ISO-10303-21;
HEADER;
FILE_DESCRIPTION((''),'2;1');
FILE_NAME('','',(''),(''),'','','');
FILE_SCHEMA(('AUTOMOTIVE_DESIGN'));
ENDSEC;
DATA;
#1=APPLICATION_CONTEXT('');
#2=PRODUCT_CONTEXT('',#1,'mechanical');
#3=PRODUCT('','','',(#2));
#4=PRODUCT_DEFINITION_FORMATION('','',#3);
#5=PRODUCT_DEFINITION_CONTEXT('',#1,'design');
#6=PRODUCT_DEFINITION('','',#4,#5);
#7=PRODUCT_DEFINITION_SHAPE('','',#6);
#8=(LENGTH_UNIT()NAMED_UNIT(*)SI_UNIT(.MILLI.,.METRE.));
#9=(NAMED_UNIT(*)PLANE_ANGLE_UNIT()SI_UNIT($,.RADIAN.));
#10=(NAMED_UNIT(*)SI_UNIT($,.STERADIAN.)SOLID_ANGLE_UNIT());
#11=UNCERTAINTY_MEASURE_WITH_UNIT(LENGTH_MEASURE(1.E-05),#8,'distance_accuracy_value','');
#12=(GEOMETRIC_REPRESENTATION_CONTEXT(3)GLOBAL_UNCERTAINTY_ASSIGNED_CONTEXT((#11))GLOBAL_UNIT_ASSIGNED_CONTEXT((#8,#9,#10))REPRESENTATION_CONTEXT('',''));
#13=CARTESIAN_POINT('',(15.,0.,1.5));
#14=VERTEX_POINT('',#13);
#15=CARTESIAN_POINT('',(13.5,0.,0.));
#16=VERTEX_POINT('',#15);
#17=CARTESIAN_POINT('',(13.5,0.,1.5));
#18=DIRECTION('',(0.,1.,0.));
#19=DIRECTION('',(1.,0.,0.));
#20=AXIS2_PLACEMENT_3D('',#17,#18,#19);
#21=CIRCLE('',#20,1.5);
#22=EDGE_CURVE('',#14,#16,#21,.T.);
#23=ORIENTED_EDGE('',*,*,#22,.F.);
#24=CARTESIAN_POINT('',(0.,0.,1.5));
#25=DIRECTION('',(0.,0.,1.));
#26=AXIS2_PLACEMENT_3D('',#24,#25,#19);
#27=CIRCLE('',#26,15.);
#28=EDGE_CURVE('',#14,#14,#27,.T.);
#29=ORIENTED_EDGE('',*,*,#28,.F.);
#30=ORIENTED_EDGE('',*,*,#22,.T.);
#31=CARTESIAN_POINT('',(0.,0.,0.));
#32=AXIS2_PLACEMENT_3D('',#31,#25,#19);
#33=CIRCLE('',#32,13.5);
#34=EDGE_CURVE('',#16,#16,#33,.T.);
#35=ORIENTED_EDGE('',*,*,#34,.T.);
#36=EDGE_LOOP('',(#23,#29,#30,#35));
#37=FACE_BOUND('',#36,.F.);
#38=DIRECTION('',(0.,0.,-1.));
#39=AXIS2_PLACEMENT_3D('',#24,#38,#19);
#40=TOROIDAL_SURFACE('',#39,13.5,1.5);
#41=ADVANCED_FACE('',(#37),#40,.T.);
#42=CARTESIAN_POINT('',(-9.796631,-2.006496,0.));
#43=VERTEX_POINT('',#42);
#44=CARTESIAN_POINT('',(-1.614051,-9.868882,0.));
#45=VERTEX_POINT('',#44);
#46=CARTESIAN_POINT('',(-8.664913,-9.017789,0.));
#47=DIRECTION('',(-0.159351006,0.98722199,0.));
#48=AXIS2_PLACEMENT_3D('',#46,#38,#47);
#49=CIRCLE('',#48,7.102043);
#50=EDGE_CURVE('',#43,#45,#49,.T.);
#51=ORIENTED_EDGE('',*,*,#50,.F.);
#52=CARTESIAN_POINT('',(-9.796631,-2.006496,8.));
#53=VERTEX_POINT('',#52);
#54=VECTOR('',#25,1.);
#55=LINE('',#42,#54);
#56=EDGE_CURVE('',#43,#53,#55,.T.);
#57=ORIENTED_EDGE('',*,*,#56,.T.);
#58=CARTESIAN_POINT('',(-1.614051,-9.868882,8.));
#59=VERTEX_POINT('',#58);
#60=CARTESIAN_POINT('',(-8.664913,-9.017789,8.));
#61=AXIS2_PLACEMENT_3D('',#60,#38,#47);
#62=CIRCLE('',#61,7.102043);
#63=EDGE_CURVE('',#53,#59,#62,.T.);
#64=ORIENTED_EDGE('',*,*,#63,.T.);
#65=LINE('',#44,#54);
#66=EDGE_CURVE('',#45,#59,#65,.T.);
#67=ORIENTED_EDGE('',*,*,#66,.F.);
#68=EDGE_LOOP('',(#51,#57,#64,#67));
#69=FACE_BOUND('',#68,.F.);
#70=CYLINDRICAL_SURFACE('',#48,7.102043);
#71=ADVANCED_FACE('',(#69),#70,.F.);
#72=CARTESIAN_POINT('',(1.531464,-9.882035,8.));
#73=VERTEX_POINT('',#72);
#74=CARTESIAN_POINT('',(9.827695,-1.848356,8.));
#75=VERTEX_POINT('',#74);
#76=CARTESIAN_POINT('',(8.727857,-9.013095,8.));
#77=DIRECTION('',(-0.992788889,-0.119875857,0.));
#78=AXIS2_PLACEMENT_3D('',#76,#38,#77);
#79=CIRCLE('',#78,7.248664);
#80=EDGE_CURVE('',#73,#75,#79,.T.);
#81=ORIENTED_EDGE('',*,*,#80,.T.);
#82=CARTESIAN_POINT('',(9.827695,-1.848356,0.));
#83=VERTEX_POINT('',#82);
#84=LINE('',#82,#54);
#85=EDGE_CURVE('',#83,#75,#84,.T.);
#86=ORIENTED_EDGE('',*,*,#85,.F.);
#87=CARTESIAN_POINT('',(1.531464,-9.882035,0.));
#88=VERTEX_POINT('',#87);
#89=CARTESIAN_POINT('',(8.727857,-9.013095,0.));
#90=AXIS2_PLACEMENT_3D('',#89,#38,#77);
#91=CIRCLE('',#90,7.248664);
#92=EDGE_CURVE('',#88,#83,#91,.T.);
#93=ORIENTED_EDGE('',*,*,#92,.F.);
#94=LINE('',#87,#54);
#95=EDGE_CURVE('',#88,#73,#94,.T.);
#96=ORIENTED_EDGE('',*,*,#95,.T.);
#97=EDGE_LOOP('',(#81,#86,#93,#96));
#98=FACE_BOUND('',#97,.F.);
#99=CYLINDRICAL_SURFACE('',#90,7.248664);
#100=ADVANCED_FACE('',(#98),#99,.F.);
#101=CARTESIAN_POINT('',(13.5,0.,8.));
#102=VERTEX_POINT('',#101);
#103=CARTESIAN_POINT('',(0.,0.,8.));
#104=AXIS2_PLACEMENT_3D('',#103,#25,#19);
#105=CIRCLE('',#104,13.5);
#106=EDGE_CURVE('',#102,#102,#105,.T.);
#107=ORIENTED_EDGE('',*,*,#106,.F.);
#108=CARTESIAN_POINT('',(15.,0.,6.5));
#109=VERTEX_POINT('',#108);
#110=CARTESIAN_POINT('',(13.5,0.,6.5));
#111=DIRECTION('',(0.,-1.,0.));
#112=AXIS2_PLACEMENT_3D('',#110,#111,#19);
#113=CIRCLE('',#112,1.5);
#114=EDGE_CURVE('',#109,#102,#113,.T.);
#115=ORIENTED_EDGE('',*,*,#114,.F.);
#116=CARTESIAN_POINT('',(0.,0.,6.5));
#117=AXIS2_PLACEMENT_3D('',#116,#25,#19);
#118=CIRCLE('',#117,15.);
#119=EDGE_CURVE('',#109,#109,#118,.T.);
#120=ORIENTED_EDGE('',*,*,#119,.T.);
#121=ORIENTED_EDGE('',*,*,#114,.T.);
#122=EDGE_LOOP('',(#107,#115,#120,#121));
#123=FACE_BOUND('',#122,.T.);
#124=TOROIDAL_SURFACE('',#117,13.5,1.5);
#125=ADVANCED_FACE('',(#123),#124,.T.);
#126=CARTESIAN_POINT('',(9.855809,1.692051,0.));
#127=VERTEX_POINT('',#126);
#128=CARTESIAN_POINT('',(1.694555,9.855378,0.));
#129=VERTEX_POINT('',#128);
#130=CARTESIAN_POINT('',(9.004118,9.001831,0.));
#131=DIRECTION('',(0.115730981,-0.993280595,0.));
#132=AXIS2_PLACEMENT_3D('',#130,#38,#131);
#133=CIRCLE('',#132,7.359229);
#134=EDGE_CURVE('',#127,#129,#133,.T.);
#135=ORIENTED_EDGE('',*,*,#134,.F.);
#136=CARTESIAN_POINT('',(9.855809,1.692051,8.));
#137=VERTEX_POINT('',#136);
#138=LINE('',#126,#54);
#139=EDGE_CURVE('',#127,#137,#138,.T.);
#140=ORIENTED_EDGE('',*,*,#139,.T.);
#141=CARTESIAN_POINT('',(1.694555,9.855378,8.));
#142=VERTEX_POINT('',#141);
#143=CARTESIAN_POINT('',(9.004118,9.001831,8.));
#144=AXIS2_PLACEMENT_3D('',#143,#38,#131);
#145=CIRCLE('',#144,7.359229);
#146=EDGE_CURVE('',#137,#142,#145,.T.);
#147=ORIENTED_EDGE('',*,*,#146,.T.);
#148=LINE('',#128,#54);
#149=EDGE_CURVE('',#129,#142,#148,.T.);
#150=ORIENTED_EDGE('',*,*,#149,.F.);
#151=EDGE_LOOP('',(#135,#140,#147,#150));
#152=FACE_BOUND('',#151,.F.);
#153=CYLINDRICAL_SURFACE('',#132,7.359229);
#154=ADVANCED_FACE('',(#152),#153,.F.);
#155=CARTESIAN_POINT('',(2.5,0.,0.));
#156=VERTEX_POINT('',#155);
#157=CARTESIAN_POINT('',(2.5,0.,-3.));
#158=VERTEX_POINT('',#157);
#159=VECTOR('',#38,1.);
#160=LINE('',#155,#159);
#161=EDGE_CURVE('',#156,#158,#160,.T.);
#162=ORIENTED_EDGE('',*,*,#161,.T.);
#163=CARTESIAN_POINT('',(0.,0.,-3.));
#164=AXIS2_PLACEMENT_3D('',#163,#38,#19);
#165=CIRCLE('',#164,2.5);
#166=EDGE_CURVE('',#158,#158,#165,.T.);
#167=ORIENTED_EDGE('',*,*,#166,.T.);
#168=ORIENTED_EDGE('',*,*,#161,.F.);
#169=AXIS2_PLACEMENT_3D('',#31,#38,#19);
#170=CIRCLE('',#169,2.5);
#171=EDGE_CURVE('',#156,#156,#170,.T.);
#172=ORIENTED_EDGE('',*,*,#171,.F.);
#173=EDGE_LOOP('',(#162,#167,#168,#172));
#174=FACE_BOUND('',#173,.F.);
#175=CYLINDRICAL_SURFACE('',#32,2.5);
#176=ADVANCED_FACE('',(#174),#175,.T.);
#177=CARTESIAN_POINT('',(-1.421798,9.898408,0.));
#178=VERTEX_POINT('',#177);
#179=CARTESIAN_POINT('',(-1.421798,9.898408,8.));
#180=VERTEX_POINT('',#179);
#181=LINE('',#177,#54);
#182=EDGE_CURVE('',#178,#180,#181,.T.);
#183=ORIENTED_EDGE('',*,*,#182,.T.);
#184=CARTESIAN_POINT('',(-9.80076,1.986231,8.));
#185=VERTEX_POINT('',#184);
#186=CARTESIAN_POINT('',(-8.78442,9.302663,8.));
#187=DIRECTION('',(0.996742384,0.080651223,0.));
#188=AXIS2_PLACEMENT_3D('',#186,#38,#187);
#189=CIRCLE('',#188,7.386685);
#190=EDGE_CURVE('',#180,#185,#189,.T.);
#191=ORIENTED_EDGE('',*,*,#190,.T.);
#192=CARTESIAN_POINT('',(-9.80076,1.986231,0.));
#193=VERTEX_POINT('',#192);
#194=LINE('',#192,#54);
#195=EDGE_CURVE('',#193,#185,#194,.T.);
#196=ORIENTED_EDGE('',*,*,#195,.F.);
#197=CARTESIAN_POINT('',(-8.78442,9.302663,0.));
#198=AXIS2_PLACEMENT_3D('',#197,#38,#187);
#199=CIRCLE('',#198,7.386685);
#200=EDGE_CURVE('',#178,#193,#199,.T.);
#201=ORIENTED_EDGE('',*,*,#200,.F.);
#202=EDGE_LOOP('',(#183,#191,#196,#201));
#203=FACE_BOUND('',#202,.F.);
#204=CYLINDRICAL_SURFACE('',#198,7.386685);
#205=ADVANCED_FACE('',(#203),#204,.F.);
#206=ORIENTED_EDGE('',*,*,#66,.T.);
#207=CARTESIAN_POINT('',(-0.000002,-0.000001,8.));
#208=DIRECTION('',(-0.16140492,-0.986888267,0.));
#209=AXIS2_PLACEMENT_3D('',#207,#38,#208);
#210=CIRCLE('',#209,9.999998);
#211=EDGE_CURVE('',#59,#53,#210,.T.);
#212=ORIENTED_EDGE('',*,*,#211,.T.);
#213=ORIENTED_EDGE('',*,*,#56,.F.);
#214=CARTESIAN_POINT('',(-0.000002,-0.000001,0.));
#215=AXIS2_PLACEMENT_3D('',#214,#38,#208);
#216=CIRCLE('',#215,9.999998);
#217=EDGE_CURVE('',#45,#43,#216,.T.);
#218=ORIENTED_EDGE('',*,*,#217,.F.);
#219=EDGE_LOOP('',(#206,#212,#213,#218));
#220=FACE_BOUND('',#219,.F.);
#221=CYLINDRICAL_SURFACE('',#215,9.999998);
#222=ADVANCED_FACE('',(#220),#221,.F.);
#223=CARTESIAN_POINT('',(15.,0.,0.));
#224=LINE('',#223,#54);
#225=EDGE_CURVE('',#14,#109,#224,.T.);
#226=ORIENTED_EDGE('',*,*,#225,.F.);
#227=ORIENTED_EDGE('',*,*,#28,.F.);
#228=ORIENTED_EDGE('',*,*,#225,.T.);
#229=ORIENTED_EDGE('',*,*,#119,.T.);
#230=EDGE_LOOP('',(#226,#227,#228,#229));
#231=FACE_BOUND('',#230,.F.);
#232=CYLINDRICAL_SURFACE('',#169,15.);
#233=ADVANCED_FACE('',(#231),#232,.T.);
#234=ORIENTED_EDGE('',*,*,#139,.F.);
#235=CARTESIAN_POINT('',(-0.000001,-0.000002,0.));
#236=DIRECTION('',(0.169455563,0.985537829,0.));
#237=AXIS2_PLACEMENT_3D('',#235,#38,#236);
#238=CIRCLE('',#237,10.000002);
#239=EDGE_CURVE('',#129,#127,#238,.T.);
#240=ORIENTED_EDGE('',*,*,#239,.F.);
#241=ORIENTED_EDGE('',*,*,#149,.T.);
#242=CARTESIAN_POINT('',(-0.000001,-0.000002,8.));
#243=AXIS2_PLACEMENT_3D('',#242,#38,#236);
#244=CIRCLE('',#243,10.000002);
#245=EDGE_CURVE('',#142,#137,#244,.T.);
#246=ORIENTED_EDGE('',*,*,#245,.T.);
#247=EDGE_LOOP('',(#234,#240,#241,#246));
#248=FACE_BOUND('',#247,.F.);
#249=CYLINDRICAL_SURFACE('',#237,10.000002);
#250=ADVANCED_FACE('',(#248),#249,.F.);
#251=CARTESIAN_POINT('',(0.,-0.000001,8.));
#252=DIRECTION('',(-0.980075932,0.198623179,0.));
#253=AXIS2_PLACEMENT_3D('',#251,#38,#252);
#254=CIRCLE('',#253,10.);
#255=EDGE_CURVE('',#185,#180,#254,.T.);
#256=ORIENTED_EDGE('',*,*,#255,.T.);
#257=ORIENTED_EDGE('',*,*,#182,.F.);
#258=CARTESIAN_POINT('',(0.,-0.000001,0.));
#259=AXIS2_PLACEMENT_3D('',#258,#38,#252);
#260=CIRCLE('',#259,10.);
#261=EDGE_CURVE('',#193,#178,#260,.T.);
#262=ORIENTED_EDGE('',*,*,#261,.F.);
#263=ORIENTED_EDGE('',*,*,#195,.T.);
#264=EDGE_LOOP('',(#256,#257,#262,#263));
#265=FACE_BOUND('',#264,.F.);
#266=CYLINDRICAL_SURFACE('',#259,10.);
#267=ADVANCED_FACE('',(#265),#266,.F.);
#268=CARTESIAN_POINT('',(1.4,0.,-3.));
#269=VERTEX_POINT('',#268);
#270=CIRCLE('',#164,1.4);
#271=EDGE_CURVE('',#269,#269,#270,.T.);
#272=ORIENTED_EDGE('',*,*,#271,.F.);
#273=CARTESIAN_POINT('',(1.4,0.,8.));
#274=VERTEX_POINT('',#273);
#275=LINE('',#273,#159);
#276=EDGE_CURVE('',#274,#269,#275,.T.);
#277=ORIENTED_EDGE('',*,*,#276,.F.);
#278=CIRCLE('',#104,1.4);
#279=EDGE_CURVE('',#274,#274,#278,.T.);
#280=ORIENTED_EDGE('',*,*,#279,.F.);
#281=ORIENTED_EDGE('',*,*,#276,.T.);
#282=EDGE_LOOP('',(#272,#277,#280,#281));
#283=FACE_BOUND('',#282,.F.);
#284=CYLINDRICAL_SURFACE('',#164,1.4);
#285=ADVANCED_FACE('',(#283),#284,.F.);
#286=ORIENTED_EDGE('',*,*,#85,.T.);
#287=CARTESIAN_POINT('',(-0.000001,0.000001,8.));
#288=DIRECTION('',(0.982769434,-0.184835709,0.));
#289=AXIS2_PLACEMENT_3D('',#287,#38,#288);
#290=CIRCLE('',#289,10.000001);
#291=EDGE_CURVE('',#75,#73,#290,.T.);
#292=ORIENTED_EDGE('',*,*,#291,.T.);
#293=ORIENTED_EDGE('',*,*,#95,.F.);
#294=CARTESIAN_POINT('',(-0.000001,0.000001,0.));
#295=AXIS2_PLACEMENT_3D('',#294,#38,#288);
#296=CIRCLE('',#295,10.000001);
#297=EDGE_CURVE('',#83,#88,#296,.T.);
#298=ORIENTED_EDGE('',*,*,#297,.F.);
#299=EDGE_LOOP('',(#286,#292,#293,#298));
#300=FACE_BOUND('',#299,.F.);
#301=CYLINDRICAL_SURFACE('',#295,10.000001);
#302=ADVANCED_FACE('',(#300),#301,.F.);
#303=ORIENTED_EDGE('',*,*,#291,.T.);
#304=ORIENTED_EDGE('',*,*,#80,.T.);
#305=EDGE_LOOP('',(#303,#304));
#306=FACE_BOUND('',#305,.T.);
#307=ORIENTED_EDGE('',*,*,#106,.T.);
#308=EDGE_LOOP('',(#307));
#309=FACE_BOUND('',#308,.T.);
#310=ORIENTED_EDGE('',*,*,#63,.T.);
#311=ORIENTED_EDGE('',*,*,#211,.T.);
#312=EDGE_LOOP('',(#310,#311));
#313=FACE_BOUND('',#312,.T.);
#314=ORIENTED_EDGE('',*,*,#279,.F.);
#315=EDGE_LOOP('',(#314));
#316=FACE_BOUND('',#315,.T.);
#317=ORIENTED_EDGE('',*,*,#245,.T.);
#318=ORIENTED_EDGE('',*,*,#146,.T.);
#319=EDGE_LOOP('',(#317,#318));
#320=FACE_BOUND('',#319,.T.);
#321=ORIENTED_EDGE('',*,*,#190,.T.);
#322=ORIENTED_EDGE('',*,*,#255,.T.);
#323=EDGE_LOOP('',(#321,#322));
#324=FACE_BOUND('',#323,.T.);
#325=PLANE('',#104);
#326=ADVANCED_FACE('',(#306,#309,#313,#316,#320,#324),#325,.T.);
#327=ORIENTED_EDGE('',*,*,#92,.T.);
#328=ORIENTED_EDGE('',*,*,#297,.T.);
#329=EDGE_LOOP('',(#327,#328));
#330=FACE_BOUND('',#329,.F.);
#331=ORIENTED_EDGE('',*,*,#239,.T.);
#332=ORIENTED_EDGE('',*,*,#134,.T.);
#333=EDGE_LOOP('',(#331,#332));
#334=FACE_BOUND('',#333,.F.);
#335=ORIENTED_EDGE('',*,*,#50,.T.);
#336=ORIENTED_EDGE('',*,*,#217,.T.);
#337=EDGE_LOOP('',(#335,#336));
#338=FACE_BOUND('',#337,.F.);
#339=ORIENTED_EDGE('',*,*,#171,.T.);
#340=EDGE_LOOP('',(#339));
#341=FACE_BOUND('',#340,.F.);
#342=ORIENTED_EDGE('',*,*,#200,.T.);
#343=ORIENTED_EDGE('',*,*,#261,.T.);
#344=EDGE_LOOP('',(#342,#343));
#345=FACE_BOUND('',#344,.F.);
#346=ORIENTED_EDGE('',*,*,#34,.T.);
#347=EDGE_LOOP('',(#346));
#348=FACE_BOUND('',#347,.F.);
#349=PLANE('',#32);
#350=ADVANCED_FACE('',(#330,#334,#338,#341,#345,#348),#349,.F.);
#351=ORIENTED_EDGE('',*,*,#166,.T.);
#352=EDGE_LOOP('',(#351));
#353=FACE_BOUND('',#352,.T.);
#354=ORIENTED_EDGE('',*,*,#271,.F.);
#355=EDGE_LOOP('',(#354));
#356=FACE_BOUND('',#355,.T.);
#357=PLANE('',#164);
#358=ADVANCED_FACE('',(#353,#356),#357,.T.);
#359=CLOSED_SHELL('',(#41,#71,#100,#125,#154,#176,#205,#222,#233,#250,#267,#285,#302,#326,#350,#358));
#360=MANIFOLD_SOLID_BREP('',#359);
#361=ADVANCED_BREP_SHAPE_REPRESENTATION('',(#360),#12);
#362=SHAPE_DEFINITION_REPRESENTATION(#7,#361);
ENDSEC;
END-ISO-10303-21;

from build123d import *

# Parameters (mm, degrees)
F0_R     = 15
F0_R_2   = 1.4
F1_DEPTH = 8
F2_R     = 1.5
F3_R     = 1.5
F4_R     = 2.5
F5_DEPTH = 3
F6_R     = 1.4
F7_DEPTH = 25


with BuildPart() as f1:
    # F0 (on Top) → F1 (new body)
    with BuildSketch(Plane.XY):
        Circle(F0_R)
        with BuildLine():
            ThreePointArc((-9.796631, -2.006496), (-3.744207, -3.896689), (-1.614051, -9.868882))
            ThreePointArc((-1.614051, -9.868882), (-6.928578, -7.210743), (-9.796631, -2.006496))
        make_face(mode=Mode.SUBTRACT)
        with BuildLine():
            ThreePointArc((1.531464, -9.882035), (3.685338, -3.80578), (9.827695, -1.848356))
            ThreePointArc((9.827695, -1.848356), (6.956481, -7.183827), (1.531464, -9.882035))
        make_face(mode=Mode.SUBTRACT)
        with BuildLine():
            ThreePointArc((-9.80076, 1.986231), (-6.865646, 7.270688), (-1.421798, 9.898408))
            ThreePointArc((-1.421798, 9.898408), (-3.712984, 3.932034), (-9.80076, 1.986231))
        make_face(mode=Mode.SUBTRACT)
        Circle(F0_R_2, mode=Mode.SUBTRACT)
        with BuildLine():
            ThreePointArc((9.855809, 1.692051), (3.799696, 3.798731), (1.694555, 9.855378))
            ThreePointArc((1.694555, 9.855378), (7.071966, 7.070169), (9.855809, 1.692051))
        make_face(mode=Mode.SUBTRACT)
    extrude(amount=F1_DEPTH)

    # F2
    f2_edges = [f1.edges().sort_by_distance(p)[0] for p in [
        (-15, 0, 8),
    ]]
    fillet(f2_edges, radius=F2_R)

    # F3
    f3_edges = [f1.edges().sort_by_distance(p)[0] for p in [
        (-15, 0, 0),
    ]]
    fillet(f3_edges, radius=F3_R)

    # F4 (on face) → F5 (join)
    with BuildSketch(Plane(origin=(0, 0, 0), x_dir=(1, 0, 0), z_dir=(0, 0, -1))):
        Circle(F4_R)
    extrude(amount=F5_DEPTH)

    # F6 (on face) → F7 (cut)
    with BuildSketch(Plane(origin=(0, 0, -3), x_dir=(1, 0, 0), z_dir=(0, 0, -1))):
        Circle(F6_R)
    extrude(amount=-F7_DEPTH, mode=Mode.SUBTRACT)


solid = f1.part
